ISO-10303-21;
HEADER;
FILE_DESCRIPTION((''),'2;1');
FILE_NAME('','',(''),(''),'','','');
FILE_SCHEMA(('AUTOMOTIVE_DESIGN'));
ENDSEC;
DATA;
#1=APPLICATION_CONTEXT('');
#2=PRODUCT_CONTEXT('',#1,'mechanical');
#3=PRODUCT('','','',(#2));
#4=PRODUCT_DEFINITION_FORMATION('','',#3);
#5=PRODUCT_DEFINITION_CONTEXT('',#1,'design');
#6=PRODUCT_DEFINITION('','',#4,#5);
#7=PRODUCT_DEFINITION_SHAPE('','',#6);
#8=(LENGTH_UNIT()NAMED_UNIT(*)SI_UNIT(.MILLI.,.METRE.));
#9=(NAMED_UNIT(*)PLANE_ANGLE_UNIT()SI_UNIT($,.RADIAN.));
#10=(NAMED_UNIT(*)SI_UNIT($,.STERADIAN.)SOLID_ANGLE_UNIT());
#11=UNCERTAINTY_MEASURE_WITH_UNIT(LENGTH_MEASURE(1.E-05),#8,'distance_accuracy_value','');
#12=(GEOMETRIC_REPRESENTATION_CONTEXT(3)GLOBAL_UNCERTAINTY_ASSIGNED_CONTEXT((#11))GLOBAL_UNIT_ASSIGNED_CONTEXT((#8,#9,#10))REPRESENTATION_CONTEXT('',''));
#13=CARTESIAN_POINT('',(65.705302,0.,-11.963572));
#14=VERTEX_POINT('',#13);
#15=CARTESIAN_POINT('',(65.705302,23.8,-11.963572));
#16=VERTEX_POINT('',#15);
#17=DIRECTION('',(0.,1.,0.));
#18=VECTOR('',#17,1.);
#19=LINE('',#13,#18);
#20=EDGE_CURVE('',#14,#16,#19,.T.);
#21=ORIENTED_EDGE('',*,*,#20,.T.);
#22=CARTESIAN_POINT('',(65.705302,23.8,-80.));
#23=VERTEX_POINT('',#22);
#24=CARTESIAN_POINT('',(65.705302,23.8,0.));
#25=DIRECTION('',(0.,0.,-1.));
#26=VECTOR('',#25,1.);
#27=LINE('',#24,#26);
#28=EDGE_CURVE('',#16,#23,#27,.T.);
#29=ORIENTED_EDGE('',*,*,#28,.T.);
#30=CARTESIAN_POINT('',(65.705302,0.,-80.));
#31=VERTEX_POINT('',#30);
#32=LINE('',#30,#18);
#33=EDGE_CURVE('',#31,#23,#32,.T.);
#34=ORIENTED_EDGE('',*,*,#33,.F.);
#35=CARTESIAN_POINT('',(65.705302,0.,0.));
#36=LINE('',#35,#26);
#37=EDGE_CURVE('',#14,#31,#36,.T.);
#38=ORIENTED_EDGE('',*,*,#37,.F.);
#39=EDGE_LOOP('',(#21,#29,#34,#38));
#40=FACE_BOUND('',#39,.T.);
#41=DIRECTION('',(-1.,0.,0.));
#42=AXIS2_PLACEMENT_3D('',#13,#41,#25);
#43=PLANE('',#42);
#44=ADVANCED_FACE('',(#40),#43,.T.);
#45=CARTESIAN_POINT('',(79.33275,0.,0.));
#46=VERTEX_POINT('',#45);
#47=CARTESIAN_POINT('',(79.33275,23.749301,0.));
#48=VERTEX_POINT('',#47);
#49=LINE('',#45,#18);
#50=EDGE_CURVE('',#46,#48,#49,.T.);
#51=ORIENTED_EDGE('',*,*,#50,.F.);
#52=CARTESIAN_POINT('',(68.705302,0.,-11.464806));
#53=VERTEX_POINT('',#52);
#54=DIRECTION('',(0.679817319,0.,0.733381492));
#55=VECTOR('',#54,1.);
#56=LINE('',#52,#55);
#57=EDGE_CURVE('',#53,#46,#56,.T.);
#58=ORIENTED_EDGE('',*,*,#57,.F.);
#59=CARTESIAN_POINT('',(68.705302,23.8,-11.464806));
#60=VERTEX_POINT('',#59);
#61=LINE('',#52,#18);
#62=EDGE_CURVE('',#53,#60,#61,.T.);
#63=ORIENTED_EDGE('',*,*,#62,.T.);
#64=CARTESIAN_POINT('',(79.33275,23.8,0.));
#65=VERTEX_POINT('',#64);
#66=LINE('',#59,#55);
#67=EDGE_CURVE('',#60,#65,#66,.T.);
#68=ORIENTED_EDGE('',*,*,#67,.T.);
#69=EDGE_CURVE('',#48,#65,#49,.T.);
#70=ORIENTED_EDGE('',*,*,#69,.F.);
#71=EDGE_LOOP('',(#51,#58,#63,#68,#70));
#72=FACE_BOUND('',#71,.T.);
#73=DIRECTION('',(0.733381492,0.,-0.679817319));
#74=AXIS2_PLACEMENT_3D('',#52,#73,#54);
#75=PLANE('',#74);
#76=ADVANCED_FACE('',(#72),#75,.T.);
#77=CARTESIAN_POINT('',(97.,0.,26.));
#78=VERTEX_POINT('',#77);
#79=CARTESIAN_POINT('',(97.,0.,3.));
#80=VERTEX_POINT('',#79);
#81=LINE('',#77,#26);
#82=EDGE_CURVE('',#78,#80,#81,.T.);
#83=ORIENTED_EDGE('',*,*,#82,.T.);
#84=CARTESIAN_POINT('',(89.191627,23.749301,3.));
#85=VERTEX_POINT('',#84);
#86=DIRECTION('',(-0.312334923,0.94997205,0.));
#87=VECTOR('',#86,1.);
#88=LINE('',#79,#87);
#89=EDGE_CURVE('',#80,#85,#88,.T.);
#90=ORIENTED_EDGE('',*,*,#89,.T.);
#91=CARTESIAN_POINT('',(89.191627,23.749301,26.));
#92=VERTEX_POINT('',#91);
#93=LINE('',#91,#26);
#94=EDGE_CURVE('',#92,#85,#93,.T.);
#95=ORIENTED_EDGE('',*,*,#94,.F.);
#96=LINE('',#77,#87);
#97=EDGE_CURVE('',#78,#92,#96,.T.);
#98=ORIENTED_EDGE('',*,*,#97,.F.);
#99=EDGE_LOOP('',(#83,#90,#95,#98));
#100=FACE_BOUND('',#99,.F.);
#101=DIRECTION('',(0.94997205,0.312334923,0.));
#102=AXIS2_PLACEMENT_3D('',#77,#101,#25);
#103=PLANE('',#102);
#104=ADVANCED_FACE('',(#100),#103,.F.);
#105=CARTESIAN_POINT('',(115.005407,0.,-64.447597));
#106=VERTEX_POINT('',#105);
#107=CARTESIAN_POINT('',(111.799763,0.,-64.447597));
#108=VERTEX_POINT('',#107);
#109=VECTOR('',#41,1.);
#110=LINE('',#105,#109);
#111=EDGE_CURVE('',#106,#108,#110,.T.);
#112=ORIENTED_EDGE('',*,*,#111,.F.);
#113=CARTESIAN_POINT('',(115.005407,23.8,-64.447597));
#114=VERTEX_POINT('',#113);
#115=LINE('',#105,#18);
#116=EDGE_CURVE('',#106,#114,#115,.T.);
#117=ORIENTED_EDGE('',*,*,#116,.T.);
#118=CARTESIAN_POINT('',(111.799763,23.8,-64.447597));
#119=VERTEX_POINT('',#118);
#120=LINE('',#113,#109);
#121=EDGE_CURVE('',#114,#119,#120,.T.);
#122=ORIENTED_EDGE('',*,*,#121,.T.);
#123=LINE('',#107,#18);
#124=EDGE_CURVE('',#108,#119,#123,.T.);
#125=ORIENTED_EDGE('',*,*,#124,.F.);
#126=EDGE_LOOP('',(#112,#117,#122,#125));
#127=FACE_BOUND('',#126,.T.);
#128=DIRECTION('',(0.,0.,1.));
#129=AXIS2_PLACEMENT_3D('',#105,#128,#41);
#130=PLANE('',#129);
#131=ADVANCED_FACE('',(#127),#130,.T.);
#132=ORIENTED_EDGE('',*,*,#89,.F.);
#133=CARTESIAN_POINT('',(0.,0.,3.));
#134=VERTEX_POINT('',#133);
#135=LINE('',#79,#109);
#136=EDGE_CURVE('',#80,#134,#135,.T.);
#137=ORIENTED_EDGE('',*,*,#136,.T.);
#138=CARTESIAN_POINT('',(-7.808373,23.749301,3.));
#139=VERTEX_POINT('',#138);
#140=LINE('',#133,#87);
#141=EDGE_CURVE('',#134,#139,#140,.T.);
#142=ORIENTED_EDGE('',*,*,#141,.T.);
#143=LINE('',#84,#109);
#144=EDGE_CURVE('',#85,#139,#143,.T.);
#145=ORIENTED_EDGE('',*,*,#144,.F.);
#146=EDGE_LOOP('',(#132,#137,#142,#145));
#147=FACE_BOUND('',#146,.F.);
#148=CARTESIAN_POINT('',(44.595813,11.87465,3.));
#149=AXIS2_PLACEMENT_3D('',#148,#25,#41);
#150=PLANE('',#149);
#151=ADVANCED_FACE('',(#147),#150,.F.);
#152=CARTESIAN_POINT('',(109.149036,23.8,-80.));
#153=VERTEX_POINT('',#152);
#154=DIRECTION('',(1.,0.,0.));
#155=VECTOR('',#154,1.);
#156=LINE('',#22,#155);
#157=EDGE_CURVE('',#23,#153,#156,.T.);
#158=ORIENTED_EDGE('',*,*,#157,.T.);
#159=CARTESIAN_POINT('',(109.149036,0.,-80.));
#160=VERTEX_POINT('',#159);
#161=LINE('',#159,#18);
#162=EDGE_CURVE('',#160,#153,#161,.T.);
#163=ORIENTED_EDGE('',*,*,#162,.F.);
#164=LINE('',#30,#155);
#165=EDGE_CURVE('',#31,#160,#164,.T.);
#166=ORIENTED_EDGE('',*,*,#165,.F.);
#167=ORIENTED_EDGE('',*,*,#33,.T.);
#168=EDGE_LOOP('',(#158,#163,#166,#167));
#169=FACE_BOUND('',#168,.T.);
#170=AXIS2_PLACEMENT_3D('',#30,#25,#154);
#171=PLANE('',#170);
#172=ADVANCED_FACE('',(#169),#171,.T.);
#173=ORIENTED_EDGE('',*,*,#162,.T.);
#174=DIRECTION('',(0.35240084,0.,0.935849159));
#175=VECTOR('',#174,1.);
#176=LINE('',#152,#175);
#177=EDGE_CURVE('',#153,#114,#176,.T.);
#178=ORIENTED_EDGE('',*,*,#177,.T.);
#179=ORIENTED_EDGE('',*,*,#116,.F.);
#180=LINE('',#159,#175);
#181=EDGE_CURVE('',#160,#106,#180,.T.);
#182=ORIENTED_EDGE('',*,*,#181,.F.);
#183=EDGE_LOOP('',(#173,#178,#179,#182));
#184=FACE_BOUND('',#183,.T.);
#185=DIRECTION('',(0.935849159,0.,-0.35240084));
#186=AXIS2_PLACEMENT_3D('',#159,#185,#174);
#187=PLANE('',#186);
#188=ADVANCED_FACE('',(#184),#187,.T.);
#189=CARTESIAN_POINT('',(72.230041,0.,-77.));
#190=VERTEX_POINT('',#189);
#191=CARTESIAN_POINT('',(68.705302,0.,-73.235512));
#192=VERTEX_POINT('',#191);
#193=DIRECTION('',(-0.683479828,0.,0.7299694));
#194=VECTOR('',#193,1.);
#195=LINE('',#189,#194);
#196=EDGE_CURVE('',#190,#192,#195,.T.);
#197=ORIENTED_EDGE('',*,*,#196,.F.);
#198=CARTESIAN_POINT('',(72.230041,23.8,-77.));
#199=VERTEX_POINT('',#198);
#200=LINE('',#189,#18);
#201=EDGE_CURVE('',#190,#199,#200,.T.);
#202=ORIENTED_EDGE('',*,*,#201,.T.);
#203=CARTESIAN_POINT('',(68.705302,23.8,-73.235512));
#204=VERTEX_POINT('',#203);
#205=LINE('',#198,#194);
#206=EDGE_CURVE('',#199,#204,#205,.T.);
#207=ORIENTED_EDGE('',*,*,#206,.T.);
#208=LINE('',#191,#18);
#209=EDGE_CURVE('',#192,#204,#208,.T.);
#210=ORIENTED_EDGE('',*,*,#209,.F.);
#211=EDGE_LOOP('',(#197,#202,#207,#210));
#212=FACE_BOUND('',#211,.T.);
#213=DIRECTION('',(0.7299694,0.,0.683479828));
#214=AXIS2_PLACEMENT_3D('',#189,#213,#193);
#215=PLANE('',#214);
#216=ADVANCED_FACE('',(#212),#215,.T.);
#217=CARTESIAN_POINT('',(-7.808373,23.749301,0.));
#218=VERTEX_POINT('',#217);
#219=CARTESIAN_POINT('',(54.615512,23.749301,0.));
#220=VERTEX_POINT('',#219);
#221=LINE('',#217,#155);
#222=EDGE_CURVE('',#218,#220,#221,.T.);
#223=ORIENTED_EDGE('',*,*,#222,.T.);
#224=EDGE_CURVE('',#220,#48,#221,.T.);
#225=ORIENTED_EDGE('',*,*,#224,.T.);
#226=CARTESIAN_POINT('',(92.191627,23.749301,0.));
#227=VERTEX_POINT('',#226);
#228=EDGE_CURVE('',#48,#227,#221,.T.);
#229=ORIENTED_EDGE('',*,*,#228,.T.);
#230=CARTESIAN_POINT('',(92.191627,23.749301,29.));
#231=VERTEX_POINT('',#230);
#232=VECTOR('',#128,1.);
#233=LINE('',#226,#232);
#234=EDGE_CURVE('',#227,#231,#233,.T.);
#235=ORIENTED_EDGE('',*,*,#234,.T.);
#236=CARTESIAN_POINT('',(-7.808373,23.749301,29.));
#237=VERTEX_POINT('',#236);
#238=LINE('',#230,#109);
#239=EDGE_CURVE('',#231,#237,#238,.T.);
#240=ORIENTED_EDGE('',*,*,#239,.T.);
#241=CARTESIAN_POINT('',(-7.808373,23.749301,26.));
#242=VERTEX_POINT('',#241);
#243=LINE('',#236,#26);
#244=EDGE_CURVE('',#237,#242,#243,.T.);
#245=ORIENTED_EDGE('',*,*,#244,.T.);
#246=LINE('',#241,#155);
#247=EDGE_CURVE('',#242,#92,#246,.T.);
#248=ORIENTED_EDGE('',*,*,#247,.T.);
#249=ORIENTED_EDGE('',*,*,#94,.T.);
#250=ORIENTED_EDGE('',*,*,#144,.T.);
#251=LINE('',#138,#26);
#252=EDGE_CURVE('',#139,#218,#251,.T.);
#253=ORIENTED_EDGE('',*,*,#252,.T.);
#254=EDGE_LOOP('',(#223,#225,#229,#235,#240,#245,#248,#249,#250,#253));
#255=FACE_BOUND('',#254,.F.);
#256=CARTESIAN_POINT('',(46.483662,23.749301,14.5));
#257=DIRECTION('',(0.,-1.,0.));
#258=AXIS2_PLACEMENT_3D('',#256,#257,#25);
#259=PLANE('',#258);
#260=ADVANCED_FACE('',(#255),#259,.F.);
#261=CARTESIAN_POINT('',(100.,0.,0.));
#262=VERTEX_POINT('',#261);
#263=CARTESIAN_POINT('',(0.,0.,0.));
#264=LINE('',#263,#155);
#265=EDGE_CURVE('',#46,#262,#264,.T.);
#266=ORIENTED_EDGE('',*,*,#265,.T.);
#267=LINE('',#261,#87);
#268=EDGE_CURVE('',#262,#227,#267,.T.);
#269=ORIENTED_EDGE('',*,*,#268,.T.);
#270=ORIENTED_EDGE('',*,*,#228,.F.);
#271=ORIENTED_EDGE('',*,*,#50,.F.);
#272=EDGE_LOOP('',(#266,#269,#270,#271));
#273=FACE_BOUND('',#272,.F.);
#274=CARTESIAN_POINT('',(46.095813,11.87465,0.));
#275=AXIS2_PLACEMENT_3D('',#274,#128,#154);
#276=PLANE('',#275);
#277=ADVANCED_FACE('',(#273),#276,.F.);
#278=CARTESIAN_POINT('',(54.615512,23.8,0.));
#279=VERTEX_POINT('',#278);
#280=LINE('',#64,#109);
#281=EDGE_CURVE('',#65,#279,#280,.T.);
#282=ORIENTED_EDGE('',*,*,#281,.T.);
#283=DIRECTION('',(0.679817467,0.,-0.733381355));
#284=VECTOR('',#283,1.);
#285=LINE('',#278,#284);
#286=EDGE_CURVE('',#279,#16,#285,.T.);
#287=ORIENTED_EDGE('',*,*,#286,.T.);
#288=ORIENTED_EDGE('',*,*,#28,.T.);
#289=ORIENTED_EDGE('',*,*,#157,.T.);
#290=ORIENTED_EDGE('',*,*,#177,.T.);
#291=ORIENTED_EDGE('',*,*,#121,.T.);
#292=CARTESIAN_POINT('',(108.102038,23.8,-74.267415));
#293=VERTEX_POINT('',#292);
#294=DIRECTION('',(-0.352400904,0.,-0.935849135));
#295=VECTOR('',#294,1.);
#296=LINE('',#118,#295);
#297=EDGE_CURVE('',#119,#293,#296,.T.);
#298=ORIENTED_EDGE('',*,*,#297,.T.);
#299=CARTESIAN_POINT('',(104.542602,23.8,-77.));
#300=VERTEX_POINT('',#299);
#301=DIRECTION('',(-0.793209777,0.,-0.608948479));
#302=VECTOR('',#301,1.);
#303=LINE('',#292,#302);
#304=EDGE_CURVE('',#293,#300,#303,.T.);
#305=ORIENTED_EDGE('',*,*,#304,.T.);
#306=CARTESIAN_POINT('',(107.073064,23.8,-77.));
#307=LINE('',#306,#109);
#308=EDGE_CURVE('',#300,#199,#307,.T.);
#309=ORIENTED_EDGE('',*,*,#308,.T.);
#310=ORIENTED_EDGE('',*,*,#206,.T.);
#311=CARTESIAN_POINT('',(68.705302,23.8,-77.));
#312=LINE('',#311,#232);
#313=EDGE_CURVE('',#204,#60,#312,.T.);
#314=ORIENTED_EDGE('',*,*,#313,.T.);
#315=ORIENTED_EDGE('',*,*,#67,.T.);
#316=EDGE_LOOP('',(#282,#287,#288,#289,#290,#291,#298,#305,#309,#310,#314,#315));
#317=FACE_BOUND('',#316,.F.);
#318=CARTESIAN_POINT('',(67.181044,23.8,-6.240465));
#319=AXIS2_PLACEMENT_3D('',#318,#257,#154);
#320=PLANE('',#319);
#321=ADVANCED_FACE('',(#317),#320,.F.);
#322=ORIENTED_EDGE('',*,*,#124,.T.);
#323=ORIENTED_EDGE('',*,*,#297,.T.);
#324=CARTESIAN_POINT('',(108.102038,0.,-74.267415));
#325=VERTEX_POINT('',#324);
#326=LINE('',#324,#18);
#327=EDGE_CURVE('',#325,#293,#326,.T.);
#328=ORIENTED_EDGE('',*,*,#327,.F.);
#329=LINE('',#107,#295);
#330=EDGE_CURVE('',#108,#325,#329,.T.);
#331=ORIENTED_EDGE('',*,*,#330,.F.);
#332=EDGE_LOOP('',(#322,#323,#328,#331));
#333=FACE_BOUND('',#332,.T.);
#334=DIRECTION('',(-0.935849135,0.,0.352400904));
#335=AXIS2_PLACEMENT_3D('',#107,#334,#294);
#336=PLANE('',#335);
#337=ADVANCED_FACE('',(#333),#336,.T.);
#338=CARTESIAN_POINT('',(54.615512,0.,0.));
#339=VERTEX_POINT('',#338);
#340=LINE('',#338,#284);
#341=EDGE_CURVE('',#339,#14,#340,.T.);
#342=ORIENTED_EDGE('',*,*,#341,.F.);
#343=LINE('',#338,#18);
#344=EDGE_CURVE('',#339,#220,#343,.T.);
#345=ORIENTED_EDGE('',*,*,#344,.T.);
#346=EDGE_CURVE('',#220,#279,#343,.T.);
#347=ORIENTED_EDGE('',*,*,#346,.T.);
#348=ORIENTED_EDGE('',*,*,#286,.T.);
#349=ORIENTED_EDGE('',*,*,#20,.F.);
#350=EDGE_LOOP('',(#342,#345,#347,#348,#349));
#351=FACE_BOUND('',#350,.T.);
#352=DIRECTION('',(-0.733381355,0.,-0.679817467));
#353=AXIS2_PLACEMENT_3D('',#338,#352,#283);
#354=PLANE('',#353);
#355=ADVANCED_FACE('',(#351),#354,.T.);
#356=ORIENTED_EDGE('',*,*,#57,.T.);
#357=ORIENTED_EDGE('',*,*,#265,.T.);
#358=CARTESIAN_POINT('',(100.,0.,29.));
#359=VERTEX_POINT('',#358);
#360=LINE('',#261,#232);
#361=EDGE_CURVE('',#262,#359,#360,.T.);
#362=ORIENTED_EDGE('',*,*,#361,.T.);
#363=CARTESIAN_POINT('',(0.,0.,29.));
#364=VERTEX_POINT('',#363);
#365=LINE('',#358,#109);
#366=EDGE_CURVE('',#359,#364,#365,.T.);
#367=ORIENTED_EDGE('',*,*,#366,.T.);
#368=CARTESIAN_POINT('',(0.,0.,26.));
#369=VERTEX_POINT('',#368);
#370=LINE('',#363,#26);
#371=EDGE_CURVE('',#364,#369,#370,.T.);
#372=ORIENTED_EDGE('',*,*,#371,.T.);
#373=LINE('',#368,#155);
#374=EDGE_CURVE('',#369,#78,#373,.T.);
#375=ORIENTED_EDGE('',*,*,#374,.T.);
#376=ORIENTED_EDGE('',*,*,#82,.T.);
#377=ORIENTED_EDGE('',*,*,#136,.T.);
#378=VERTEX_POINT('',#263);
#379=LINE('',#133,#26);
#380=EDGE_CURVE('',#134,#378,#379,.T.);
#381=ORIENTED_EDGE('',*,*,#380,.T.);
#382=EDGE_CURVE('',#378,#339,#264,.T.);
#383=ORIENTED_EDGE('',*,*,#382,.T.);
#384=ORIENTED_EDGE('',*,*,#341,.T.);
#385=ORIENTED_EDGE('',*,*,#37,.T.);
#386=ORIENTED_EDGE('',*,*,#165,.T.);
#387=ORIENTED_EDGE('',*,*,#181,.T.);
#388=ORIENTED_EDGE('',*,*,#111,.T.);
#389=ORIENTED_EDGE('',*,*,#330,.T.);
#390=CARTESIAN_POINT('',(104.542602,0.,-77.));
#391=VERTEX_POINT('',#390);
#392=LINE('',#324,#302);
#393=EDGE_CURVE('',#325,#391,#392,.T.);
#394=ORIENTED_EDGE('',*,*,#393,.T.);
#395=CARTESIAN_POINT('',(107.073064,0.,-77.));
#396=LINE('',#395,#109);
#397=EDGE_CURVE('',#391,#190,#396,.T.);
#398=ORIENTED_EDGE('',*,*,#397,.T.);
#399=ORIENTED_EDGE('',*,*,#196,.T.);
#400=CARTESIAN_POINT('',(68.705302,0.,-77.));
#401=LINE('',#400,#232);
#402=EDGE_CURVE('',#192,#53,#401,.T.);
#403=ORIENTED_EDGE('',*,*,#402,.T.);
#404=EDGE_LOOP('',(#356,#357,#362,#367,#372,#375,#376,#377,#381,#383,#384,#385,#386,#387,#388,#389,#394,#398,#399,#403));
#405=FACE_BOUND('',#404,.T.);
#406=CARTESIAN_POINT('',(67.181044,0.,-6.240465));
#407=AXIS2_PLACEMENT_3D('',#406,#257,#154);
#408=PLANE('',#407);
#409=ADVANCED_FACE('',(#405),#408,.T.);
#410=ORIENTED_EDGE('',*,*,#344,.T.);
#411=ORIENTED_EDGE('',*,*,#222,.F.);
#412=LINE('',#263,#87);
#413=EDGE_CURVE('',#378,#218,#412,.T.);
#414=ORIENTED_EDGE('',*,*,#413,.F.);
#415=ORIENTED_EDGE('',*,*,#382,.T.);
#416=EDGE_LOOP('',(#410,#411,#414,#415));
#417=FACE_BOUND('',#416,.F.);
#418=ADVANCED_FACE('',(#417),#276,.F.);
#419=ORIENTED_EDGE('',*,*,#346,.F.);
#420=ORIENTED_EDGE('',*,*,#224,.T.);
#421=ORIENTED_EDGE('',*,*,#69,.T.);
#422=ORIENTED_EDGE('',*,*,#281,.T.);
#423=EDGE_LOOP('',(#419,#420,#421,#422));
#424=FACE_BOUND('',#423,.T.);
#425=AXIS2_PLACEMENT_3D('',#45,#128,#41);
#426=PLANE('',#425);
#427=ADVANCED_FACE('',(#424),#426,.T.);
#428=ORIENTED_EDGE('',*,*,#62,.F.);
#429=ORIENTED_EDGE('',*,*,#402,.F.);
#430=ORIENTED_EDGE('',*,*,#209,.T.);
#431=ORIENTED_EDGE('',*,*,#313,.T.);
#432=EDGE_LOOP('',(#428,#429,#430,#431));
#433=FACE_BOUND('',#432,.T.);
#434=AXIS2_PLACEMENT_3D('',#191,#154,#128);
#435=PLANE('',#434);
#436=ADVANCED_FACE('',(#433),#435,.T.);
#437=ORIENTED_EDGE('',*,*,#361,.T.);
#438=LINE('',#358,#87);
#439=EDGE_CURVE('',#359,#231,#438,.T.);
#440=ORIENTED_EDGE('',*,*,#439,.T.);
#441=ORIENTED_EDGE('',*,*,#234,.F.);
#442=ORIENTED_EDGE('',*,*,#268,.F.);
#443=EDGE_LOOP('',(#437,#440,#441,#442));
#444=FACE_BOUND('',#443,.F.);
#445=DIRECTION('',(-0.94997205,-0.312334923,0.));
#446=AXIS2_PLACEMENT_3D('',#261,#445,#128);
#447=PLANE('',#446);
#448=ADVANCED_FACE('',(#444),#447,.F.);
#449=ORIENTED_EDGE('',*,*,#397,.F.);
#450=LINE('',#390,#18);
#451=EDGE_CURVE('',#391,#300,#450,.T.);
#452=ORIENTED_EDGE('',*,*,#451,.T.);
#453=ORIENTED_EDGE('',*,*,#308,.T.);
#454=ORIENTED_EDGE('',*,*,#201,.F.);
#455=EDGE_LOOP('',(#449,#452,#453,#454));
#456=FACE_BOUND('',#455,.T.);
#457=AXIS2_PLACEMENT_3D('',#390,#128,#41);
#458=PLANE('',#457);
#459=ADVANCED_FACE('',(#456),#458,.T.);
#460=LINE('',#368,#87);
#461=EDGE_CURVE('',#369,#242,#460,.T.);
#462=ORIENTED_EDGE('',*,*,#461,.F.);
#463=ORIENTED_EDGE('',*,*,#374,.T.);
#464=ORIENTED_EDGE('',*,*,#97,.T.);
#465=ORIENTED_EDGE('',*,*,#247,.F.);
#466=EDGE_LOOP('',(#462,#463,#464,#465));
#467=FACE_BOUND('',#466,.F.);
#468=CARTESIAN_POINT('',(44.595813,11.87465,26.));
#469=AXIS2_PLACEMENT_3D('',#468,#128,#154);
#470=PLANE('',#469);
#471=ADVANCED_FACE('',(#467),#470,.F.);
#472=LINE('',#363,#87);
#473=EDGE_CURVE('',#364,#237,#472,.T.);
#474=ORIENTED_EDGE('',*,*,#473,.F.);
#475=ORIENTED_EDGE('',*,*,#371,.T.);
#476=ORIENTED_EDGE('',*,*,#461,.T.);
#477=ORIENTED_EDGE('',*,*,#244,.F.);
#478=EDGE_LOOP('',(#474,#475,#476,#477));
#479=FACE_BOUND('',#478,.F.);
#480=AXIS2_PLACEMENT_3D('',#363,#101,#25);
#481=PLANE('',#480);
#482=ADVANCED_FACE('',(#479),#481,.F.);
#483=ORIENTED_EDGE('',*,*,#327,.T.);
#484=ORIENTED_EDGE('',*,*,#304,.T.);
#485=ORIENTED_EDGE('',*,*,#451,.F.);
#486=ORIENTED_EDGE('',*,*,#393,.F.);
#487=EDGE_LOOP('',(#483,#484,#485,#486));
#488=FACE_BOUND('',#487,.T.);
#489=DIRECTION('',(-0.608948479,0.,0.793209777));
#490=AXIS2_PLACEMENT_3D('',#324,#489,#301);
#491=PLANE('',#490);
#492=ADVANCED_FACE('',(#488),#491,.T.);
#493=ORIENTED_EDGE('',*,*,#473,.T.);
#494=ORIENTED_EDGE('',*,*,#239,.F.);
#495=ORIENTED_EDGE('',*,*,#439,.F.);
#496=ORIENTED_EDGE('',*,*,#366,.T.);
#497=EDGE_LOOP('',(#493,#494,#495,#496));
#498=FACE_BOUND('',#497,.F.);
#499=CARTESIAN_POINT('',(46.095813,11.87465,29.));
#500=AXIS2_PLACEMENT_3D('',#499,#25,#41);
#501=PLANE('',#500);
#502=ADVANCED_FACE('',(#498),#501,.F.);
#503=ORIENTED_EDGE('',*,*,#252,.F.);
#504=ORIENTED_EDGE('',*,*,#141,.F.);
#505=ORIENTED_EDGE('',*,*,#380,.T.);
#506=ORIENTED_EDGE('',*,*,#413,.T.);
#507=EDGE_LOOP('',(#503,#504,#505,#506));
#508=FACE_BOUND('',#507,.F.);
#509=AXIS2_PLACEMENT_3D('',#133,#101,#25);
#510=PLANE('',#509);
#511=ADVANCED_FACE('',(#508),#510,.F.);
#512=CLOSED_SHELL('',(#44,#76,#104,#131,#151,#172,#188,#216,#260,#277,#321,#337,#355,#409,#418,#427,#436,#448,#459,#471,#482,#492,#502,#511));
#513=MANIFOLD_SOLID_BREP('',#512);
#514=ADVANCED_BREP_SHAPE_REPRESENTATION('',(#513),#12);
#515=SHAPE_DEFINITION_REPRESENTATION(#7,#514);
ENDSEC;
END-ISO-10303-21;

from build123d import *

# Parameters (mm, degrees)
F4_DEPTH = 23.8


with BuildPart() as f2:
    # F2: sweep along a path in F1
    with BuildLine(Plane.XY) as f2_path:
        Line((100, 0), (92.191627, 23.749301))
    # F0 (on Front) → F2 (sweep)
    with BuildSketch(Plane.XZ):
        Polygon((100, 29), (0, 29), (0, 26), (97, 26), (97, 3), (0, 3), (0, 0), (100, 0), align=None)
    sweep(path=f2_path.line)

    # F3 (on Front) → F4 (join)
    with BuildSketch(Plane.XZ):
        Polygon((68.705302, -11.464806), (68.705302, 0), (65.705302, 0), (65.705302, -11.963572), (66.974133, -13.332377), align=None)
        Polygon((68.705302, -73.235512), (68.705302, -11.464806), (66.974133, -13.332377), (65.705302, -11.963572), (65.705302, -80), (109.149036, -80), (115.005407, -64.447597), (111.799763, -64.447597), (108.102038, -74.267415), (107.073064, -77), (104.542602, -77), (72.230041, -77), (68.705302, -77), align=None)
        Polygon((79.33275, 0), (68.705302, 0), (68.705302, -11.464806), align=None)
        Polygon((65.705302, -11.963572), (65.705302, 0), (54.615512, 0), align=None)
        Polygon((72.230041, -77), (68.705302, -73.235512), (68.705302, -77), align=None)
        Polygon((108.102038, -74.267415), (104.542602, -77), (107.073064, -77), align=None)
    extrude(amount=-F4_DEPTH)


solid = f2.part
